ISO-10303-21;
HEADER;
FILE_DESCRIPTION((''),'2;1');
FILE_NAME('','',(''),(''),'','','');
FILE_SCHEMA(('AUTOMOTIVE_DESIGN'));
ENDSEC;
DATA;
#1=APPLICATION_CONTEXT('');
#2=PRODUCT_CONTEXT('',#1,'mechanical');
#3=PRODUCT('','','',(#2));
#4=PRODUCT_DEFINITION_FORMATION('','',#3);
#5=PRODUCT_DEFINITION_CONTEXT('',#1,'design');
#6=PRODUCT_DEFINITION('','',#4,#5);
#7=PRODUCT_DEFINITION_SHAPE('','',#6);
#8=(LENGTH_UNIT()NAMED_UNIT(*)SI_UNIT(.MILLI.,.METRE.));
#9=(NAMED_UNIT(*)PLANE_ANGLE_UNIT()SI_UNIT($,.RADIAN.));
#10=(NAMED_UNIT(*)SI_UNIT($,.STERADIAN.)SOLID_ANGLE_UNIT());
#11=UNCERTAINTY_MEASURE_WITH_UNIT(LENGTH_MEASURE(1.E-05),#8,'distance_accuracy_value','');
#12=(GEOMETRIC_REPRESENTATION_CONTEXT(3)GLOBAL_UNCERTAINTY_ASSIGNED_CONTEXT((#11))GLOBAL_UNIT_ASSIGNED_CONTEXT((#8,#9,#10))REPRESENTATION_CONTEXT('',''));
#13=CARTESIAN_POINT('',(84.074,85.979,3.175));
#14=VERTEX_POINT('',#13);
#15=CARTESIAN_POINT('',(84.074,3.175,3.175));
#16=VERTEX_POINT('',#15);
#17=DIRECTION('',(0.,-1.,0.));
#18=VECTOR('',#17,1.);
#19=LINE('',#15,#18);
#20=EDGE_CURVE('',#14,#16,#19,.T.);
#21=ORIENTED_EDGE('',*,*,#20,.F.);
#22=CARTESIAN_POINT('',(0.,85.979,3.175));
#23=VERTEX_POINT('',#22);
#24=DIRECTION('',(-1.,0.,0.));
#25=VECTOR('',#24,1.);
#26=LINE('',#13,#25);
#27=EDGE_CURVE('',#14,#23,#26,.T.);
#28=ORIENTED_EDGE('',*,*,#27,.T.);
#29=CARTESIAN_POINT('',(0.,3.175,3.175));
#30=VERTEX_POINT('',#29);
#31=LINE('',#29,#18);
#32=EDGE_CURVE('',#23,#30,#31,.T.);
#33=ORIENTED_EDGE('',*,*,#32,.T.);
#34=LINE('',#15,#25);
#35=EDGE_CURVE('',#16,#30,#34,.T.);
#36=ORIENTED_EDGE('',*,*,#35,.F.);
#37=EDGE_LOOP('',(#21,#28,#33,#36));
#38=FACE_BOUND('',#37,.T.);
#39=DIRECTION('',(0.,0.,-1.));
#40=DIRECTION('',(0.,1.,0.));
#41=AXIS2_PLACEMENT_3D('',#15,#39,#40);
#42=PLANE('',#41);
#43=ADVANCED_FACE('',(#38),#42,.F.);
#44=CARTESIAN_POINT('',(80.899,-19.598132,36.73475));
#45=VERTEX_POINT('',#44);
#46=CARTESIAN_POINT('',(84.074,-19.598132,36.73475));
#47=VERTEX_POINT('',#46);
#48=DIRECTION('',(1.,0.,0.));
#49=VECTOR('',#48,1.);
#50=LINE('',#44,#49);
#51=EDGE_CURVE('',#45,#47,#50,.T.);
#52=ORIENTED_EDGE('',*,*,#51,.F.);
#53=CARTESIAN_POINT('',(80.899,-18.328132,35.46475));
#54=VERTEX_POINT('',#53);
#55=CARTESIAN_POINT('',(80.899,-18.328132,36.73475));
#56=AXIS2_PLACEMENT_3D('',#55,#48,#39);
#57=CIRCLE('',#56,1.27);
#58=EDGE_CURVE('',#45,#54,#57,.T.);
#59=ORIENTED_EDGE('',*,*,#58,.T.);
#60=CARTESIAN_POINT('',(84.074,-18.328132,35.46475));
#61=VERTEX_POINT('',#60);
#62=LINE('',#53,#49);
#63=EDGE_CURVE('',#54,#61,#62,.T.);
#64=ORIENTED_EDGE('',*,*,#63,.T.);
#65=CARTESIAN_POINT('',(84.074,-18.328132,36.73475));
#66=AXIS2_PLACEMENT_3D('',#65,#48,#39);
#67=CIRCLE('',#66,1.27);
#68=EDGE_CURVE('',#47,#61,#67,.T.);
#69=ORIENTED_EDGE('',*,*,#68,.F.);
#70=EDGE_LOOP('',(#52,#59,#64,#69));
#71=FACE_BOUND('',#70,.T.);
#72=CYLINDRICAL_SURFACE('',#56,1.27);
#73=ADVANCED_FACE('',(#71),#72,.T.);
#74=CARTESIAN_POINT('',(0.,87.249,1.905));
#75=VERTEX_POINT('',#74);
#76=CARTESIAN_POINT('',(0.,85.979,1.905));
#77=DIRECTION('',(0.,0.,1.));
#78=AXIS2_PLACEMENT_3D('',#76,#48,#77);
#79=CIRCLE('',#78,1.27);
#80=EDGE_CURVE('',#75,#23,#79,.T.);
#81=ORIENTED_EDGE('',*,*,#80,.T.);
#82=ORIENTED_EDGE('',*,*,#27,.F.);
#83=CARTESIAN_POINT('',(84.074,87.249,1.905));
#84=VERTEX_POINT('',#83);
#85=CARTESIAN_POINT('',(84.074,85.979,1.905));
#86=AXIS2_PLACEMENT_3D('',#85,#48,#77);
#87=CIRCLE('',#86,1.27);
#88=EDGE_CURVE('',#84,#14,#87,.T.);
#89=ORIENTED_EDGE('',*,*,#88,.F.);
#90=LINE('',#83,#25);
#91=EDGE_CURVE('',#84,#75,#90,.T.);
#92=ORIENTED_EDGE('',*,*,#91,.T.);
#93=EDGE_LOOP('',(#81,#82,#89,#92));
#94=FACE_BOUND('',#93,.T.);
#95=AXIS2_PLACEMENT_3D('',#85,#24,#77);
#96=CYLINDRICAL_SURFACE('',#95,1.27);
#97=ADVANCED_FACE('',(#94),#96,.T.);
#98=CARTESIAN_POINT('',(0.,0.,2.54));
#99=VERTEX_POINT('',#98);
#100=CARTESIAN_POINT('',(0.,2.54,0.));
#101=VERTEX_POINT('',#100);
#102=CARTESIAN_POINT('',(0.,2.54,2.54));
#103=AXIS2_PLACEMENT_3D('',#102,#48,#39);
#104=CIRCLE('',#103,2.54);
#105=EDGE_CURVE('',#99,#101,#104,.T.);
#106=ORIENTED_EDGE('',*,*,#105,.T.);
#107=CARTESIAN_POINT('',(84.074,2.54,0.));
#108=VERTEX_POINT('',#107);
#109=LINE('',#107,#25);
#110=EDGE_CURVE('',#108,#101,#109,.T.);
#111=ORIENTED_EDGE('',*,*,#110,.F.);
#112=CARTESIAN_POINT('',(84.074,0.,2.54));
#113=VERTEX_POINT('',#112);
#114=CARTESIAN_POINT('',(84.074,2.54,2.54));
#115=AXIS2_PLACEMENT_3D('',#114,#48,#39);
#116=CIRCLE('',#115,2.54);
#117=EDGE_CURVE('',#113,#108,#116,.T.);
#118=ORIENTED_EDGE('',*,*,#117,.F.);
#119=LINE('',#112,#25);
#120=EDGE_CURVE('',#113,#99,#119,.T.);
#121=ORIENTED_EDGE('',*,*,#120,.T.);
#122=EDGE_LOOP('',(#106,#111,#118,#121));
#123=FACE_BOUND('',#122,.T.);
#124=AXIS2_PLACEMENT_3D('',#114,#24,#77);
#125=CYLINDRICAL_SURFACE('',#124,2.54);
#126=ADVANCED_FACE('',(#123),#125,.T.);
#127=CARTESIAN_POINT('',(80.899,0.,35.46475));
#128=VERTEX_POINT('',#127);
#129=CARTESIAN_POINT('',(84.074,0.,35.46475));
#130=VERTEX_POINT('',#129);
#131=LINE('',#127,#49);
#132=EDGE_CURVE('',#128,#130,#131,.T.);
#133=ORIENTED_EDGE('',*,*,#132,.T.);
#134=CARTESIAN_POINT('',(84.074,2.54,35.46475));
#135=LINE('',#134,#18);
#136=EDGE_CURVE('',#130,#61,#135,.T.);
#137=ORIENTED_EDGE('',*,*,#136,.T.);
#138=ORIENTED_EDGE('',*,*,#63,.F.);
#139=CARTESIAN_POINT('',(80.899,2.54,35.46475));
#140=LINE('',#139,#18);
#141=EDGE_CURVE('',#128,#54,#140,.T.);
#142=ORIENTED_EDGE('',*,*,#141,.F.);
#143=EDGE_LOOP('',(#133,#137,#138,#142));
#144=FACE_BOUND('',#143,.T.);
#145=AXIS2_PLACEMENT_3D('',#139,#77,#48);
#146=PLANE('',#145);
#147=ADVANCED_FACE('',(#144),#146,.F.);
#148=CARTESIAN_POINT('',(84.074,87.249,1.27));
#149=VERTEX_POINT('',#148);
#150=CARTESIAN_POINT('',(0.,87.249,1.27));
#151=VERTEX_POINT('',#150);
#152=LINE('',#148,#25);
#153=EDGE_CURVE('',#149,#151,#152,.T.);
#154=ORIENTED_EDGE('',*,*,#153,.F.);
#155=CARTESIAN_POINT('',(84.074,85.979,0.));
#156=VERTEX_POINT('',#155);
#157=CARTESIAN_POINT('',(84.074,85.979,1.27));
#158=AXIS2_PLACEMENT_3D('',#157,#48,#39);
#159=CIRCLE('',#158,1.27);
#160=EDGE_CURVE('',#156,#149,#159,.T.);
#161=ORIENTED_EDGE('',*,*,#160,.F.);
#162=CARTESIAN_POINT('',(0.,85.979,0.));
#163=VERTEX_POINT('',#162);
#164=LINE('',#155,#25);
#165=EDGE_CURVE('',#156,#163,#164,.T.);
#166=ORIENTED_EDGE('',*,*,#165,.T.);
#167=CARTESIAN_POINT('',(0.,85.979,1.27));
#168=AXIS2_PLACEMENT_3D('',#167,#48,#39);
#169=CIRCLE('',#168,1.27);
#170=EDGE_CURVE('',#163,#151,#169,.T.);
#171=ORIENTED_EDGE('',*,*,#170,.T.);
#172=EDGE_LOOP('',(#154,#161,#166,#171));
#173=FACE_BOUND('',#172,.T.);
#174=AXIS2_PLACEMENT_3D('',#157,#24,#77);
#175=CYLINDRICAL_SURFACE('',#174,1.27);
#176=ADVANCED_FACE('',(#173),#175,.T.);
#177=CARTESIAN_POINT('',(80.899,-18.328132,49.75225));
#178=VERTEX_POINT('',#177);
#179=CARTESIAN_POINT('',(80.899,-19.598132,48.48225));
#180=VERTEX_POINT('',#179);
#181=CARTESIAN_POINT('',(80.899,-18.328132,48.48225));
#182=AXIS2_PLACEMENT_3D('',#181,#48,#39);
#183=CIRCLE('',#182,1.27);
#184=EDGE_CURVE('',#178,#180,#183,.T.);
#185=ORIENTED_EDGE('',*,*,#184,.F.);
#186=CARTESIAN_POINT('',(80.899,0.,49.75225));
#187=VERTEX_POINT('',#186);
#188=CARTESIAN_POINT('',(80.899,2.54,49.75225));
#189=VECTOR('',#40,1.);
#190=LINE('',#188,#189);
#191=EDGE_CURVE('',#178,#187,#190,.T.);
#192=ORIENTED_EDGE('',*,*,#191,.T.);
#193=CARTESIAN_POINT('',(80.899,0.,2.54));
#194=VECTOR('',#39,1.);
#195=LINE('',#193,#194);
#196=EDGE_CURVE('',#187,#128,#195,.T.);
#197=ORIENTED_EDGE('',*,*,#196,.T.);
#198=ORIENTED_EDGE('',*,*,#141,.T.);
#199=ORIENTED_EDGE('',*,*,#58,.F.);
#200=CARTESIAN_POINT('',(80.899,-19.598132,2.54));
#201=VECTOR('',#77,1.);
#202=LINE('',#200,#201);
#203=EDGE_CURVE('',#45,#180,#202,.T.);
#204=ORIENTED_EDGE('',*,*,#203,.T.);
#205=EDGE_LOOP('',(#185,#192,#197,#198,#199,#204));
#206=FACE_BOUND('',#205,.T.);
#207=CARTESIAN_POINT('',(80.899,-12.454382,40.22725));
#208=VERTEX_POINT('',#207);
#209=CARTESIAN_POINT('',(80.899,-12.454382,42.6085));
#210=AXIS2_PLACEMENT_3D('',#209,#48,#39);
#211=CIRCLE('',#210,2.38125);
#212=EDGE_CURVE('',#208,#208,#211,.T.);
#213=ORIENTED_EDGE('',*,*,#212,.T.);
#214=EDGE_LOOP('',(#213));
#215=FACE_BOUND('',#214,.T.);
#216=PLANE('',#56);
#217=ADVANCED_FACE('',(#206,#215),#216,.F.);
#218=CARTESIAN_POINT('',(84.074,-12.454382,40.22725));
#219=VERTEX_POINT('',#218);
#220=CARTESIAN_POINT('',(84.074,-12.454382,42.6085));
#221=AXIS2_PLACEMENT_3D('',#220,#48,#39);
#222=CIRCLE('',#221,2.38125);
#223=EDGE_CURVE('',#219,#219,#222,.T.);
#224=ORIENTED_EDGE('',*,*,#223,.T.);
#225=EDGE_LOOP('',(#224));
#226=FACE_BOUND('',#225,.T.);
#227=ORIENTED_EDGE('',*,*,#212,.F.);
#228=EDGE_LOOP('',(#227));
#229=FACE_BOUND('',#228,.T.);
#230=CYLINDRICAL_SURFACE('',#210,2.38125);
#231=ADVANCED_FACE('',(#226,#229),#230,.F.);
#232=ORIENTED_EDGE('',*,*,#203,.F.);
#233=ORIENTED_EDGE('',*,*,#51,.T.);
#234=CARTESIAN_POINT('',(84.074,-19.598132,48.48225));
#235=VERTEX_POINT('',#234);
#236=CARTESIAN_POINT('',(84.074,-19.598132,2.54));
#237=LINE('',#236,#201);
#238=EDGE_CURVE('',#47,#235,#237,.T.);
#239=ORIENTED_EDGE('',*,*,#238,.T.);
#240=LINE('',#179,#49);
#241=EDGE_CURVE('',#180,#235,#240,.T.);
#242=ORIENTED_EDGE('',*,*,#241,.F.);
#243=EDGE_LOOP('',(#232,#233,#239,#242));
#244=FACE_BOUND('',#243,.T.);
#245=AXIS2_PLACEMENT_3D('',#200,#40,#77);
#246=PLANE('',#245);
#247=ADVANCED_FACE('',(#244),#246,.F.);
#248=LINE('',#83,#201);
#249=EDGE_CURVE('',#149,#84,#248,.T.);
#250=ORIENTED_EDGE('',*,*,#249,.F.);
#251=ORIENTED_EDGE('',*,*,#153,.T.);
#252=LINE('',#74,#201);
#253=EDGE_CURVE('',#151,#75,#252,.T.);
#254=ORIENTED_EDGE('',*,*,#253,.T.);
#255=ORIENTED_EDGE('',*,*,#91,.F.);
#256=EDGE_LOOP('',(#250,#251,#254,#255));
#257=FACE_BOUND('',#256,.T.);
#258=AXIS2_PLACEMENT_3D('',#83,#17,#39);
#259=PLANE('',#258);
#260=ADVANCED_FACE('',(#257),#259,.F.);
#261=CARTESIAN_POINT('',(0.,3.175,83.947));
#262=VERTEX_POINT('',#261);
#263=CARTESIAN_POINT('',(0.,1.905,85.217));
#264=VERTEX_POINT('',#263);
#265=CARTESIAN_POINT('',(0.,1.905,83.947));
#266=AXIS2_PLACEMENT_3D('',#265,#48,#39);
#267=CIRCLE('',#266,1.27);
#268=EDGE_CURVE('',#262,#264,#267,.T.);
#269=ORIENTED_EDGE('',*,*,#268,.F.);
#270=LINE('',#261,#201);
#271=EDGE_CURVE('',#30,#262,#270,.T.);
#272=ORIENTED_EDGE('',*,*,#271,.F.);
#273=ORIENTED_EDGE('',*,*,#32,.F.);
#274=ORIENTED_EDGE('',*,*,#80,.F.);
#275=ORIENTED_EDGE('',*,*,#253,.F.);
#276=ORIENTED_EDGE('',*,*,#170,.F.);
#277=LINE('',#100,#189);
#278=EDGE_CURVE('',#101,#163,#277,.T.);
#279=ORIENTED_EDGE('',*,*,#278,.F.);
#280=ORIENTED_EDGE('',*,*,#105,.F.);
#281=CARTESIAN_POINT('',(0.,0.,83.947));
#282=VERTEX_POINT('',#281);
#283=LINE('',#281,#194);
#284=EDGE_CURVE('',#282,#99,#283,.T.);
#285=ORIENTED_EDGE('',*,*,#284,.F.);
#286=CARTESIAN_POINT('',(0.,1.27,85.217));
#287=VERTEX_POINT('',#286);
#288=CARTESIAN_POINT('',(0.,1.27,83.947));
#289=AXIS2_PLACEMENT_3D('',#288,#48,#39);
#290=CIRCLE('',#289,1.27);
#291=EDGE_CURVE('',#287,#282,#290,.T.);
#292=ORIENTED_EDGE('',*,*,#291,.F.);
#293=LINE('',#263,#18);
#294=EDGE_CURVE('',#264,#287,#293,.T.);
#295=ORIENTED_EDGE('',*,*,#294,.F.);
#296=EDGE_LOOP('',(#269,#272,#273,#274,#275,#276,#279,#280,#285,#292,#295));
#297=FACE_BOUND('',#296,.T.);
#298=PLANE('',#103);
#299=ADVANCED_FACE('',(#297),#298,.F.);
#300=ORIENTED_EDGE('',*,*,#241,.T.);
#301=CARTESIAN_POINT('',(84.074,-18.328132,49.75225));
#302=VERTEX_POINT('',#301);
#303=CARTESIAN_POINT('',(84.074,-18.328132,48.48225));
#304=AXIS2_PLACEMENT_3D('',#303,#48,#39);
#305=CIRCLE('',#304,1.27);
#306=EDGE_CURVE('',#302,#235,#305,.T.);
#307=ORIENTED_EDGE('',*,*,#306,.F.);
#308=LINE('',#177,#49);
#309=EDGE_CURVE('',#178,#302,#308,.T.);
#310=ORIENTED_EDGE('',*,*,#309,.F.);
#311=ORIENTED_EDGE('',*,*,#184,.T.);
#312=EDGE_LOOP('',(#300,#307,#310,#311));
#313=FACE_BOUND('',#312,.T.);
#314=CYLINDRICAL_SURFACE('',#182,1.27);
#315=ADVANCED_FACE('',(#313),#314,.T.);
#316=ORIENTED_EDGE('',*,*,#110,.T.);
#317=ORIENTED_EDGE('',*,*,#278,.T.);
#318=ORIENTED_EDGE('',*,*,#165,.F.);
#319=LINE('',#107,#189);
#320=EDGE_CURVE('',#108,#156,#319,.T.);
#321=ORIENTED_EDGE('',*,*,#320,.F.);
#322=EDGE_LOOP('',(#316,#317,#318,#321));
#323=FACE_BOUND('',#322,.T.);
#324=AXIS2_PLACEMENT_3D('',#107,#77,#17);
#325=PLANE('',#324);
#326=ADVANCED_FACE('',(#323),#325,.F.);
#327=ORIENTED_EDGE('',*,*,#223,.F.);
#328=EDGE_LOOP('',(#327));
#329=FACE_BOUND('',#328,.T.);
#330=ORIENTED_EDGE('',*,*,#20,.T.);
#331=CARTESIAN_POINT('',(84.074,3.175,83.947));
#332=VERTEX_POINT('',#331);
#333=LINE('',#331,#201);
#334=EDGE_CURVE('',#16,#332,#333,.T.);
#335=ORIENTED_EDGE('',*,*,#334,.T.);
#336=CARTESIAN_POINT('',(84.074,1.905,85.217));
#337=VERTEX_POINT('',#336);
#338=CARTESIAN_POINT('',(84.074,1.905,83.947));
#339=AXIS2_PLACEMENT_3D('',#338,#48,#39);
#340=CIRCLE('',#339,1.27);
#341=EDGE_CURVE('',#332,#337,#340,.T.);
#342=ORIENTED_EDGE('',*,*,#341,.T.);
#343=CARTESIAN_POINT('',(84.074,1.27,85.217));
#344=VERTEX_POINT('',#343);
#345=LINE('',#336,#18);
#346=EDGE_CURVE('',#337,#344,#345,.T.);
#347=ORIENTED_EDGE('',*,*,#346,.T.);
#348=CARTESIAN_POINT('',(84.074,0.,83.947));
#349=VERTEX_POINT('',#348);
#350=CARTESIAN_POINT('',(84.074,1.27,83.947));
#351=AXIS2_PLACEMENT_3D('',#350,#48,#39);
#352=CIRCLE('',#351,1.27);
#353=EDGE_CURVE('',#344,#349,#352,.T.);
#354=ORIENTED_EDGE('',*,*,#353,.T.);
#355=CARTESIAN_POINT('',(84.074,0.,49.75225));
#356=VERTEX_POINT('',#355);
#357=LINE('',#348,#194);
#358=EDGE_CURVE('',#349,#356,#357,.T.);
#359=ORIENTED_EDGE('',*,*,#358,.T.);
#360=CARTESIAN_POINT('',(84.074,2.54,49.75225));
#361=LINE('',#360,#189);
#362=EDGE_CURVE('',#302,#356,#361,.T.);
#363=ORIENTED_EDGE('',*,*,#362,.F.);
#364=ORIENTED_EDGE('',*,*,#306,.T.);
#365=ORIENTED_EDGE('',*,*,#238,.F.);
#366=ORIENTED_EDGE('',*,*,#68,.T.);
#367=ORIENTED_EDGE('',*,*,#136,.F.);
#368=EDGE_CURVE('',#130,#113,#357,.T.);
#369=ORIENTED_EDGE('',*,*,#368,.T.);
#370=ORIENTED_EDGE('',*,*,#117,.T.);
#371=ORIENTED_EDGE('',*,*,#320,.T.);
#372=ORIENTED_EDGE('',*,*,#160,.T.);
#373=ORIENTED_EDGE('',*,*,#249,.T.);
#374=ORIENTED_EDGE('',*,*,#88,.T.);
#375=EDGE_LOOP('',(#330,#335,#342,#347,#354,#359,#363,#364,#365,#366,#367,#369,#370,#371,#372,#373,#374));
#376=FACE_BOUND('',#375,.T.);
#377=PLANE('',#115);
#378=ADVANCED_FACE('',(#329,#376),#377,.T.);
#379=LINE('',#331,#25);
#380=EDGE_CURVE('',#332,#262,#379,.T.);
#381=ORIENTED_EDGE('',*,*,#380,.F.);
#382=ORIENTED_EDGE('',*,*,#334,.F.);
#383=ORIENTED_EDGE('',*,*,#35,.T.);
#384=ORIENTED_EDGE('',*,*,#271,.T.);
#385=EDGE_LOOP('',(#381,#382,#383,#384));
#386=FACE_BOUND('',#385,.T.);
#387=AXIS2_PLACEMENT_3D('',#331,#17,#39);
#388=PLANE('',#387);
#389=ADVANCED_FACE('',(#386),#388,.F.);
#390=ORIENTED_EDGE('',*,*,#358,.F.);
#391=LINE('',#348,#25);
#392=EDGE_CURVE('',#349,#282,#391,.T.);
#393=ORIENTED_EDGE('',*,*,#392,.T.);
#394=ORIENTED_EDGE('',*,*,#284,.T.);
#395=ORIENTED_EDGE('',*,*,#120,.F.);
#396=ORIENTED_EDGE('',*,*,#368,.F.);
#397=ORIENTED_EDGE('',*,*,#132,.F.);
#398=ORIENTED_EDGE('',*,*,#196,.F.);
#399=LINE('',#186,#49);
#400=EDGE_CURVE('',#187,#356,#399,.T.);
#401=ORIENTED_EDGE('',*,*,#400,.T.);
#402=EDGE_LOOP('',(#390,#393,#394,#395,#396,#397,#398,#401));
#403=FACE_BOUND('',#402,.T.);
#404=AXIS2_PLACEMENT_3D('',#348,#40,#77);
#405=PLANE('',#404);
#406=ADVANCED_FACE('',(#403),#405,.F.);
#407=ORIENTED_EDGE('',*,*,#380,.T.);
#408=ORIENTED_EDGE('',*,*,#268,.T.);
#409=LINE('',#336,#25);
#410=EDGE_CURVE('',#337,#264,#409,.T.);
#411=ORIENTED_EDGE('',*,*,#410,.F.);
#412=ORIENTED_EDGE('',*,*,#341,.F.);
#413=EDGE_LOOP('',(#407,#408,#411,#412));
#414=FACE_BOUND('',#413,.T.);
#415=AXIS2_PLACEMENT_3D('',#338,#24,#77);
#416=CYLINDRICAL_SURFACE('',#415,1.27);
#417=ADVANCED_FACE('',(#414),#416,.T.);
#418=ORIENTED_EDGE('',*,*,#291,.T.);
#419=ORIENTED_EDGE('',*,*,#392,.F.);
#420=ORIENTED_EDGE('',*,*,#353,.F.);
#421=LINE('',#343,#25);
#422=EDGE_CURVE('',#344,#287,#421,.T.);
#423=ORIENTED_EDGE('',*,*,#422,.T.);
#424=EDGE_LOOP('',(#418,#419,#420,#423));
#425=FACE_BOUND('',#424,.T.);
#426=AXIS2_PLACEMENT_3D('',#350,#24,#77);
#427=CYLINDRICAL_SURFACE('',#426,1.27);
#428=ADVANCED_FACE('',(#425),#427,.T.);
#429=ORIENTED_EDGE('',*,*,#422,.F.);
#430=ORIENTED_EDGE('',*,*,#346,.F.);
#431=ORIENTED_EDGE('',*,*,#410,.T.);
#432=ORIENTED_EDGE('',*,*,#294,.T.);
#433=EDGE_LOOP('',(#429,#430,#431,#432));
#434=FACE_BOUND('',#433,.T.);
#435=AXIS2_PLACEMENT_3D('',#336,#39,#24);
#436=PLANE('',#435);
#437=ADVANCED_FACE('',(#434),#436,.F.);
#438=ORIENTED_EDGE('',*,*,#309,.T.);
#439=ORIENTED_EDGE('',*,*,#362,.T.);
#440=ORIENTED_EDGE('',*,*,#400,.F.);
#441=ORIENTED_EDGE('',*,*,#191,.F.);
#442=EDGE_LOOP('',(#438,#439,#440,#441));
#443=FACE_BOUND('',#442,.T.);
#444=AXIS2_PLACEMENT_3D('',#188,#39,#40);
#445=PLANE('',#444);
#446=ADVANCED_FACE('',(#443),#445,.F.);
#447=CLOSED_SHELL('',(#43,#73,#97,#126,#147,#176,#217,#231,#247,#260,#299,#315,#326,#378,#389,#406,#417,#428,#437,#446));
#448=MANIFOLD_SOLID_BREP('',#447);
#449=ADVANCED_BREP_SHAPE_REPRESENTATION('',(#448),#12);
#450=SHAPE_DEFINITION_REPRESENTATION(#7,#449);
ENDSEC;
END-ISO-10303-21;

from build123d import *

# Parameters (mm, degrees)
BOSS_EXTRUDE5_DEPTH = 84.074
SKETCH12_R          = 2.38125
BOSS_EXTRUDE6_DEPTH = 3.175


with BuildPart() as part:
    # Sketch11 → Boss-Extrude5 (new body)
    with BuildSketch(Plane(origin=(0, 0, 0), x_dir=(0, 0, -1), z_dir=(1, 0, 0))):
        with BuildLine():
            Line((0, 2.54), (0, 85.979))
            ThreePointArc((0, 85.979), (-0.371974388, 86.877025612), (-1.27, 87.249))
            Line((-1.27, 87.249), (-1.905, 87.249))
            ThreePointArc((-1.905, 87.249), (-2.803025612, 86.877025612), (-3.175, 85.979))
            Line((-3.175, 85.979), (-3.175, 3.175))
            Line((-3.175, 3.175), (-83.947, 3.175))
            ThreePointArc((-83.947, 3.175), (-84.845025612, 2.803025612), (-85.217, 1.905))
            Line((-85.217, 1.905), (-85.217, 1.27))
            ThreePointArc((-85.217, 1.27), (-84.845025612, 0.371974388), (-83.947, 0))
            Line((-83.947, 0), (-2.54, 0))
            ThreePointArc((-2.54, 0), (-0.743948776, 0.743948776), (0, 2.54))
        make_face()
    extrude(amount=BOSS_EXTRUDE5_DEPTH)

    # Sketch12 → Boss-Extrude6 (add)
    with BuildSketch(Plane(origin=(84.074, 0, 0), x_dir=(0, 0, -1), z_dir=(1, 0, 0))):
        with BuildLine():
            Line((-49.75225, -18.328132), (-49.75225, 0))
            Line((-49.75225, 0), (-35.46475, 0))
            Line((-35.46475, 0), (-35.46475, -18.328132))
            ThreePointArc((-35.46475, -18.328132), (-35.836724388, -19.226157612), (-36.73475, -19.598132))
            Line((-36.73475, -19.598132), (-48.48225, -19.598132))
            ThreePointArc((-48.48225, -19.598132), (-49.380275612, -19.226157612), (-49.75225, -18.328132))
        make_face()
        with Locations((-42.6085, -12.454382)):
            Circle(SKETCH12_R, mode=Mode.SUBTRACT)
    extrude(amount=-BOSS_EXTRUDE6_DEPTH)


solid = part.part
